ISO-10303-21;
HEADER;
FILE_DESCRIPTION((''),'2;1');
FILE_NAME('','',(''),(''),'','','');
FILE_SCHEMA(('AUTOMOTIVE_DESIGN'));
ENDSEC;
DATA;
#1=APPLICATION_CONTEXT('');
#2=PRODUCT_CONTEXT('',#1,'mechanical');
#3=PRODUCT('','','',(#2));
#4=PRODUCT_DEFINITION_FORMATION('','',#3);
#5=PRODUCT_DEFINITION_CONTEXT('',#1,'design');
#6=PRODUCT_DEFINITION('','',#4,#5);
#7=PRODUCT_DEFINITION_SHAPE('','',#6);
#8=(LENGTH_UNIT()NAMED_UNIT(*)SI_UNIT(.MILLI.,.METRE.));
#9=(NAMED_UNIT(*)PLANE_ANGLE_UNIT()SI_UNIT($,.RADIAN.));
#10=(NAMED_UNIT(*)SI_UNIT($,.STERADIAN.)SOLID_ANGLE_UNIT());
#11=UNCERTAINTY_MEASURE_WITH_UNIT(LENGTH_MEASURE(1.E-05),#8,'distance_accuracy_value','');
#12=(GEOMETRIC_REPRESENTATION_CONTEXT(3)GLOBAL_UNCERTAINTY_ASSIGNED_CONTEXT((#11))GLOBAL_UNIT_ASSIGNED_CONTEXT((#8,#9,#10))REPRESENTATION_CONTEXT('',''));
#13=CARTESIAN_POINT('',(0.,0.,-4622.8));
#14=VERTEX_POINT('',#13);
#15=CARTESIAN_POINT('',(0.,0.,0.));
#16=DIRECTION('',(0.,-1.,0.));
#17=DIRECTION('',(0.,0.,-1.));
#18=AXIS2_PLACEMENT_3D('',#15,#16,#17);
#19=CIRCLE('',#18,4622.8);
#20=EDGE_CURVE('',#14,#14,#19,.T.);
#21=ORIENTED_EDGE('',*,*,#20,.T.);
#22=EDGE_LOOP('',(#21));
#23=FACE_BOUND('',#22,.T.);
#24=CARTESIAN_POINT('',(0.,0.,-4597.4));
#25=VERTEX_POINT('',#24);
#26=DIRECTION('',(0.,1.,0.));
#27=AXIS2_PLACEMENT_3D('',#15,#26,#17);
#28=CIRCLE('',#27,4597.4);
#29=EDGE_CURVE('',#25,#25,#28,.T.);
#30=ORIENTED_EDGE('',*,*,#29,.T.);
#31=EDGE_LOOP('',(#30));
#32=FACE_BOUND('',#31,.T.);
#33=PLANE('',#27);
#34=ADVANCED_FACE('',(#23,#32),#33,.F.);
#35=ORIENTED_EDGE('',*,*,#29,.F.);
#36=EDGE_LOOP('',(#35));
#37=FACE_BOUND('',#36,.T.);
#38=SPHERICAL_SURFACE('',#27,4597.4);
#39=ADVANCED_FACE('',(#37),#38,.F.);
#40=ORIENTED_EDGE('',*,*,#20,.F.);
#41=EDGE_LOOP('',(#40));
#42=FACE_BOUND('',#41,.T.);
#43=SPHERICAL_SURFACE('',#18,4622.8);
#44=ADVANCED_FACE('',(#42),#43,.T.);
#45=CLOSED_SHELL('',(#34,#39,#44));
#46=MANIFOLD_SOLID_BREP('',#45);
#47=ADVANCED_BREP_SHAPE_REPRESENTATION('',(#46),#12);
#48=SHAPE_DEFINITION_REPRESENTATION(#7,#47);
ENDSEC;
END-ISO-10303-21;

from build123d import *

# Parameters (mm, degrees)
REVOLVE1_ANGLE = 180


with BuildPart() as part:
    # Sketch2 → Revolve1 (revolve)
    with BuildSketch(Plane(origin=(0, 0, 0), x_dir=(1, 0, 0), z_dir=(0, 1, 0))):
        with BuildLine():
            Line((0, 4597.4), (0, 4622.8))
            ThreePointArc((0, 4622.8), (4622.8, 0), (0, -4622.8))
            Line((0, -4622.8), (0, -4597.4))
            ThreePointArc((0, -4597.4), (4597.4, 0), (0, 4597.4))
        make_face()
    revolve(axis=Axis((0, 0, 0), (0, 0, 1)), revolution_arc=REVOLVE1_ANGLE)


solid = part.part
